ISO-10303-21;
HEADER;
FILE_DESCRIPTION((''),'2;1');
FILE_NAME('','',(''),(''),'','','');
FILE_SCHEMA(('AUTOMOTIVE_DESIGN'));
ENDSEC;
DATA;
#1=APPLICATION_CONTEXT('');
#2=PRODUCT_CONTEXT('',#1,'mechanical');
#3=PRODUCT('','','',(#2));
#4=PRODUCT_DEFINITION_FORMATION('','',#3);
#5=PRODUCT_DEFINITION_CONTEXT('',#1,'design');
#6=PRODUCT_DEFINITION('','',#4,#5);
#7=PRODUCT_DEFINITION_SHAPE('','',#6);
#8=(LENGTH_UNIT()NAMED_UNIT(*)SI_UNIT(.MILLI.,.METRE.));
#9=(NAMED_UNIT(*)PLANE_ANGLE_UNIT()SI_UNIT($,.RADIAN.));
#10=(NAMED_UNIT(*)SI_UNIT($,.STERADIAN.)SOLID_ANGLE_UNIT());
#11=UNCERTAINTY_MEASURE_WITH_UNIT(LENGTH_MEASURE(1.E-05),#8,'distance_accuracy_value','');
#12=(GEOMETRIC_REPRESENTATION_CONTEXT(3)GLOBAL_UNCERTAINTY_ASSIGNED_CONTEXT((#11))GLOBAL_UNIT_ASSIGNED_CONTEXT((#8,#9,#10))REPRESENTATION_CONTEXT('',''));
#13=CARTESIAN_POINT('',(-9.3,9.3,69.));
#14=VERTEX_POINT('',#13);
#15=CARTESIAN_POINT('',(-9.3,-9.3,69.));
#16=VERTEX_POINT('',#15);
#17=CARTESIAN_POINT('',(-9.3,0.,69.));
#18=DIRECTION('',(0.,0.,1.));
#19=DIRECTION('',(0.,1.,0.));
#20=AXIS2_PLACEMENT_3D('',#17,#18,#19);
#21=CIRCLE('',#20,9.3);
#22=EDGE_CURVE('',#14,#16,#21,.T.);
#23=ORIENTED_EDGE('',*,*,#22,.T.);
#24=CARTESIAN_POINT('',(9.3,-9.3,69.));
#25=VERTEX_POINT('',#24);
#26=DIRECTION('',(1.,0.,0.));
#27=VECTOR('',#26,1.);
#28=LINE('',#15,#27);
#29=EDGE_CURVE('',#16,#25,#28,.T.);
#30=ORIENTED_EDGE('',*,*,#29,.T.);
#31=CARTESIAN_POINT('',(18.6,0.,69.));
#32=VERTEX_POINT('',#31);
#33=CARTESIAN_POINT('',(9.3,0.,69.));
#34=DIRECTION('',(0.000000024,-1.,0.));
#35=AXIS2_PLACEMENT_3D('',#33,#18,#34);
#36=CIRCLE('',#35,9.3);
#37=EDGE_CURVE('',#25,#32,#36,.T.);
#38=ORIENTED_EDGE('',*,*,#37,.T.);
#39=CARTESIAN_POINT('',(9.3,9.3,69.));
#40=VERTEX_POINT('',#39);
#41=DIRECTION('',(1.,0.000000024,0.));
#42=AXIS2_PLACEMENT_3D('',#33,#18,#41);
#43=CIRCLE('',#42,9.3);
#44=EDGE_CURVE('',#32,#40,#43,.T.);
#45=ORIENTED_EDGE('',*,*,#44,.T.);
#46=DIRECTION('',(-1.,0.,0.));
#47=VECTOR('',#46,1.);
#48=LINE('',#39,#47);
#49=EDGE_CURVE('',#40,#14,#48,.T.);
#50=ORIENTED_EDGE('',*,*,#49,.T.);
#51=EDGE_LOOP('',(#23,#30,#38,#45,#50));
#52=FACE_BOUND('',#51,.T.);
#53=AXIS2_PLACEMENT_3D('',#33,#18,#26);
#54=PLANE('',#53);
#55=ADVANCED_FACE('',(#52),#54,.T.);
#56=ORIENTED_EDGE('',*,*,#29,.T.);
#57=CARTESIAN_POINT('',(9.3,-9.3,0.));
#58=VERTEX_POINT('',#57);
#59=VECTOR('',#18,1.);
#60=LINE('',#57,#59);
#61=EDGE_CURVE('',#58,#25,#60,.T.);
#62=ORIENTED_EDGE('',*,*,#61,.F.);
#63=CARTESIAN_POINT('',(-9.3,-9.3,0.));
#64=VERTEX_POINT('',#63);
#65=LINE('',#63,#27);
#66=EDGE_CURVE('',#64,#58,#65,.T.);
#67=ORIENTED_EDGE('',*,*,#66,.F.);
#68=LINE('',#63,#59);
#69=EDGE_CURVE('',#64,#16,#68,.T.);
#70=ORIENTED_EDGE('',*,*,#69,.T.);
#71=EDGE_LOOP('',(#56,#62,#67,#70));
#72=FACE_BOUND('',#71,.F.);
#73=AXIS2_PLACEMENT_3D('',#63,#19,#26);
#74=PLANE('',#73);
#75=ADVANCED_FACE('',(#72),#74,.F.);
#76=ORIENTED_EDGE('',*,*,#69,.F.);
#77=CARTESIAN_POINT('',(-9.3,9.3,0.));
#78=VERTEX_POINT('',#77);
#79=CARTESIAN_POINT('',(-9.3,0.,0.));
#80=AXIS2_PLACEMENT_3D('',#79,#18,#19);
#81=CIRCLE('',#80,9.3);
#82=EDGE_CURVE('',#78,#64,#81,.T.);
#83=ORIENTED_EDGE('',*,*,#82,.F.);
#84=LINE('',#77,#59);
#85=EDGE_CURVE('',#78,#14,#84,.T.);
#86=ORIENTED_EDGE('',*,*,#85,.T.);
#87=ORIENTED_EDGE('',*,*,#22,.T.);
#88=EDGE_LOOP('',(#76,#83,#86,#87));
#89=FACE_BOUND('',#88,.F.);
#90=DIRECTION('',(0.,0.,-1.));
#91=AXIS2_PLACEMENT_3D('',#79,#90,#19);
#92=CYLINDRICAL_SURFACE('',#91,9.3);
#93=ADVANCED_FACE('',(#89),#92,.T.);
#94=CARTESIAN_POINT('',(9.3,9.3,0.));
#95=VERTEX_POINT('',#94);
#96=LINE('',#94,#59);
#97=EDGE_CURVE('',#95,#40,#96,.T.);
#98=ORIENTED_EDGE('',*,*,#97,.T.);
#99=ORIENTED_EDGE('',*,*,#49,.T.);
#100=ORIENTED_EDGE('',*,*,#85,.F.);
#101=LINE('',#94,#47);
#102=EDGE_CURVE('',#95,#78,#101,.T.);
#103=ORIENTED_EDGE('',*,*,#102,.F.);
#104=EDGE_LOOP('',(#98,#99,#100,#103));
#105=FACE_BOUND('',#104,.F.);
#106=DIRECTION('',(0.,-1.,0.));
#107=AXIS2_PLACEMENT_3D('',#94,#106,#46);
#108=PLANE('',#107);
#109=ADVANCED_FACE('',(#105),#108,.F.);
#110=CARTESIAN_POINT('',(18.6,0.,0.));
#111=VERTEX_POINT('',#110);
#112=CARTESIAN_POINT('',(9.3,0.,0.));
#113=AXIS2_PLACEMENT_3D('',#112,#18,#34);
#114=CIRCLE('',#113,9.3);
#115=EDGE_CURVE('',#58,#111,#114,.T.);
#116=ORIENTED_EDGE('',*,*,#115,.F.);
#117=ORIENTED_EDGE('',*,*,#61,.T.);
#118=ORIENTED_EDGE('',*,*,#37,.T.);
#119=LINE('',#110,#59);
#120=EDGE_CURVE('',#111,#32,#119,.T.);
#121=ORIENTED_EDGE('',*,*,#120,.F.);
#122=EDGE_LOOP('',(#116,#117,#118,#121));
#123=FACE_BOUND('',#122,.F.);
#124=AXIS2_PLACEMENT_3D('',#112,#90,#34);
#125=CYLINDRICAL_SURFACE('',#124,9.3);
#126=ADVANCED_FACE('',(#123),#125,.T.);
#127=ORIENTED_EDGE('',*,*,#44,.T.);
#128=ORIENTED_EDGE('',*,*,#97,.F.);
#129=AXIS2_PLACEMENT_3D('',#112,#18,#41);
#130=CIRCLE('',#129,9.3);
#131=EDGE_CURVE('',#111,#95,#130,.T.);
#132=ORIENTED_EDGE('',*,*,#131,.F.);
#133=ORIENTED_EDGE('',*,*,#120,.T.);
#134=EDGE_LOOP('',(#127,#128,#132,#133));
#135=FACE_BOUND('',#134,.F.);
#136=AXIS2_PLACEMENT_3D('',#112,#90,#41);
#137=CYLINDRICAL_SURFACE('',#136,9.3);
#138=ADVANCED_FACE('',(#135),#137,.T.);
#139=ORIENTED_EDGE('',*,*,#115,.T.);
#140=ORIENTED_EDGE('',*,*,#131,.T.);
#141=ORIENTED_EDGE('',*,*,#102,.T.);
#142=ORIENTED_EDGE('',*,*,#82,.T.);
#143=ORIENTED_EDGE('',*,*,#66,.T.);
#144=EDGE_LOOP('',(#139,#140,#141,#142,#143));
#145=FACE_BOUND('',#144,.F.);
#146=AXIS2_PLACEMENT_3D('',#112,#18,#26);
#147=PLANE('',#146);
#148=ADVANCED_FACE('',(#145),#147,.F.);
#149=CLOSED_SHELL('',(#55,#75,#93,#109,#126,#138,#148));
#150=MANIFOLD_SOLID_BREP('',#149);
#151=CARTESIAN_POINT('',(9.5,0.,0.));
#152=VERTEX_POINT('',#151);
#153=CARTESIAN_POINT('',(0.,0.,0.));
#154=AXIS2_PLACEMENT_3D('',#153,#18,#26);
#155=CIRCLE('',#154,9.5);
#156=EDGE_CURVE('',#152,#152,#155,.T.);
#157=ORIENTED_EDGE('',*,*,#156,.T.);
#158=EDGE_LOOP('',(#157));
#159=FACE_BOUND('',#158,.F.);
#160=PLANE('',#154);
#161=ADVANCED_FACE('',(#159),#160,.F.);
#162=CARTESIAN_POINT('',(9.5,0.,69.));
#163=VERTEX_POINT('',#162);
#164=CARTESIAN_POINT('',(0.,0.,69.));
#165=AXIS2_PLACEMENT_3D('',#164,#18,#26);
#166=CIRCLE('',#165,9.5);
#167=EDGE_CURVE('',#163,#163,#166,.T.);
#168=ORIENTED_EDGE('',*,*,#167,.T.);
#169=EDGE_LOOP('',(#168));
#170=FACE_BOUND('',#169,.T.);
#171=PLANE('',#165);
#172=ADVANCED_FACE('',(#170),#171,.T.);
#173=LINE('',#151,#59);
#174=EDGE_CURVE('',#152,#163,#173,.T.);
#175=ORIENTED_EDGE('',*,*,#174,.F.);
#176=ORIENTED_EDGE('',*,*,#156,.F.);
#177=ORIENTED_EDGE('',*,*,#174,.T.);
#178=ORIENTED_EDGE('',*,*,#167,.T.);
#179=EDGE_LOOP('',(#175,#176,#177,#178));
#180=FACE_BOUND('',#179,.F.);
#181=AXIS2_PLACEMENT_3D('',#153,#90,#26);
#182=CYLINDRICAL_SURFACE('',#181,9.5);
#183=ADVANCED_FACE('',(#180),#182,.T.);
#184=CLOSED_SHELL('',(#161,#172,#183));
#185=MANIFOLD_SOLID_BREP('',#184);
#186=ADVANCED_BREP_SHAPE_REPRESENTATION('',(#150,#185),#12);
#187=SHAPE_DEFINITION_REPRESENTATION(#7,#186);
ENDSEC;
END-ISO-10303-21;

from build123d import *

# Parameters (mm, degrees)
F1_DEPTH = 69
F2_R     = 9.5
F3_DEPTH = 69


with BuildPart() as f1:
    # F0 (on Top) → F1 (new body)
    with BuildSketch(Plane.XY):
        with BuildLine():
            ThreePointArc((9.3, -9.3), (15.876093, -6.576093), (18.6, 0))
            ThreePointArc((18.6, 0), (15.876093, 6.576093), (9.3, 9.3))
            ThreePointArc((9.3, 9.3), (2.723907, 6.576093), (0, 0))
            ThreePointArc((0, 0), (2.723907, -6.576093), (9.3, -9.3))
        make_face()
        with BuildLine():
            ThreePointArc((0, 0), (2.723907, 6.576093), (9.3, 9.3))
            Line((9.3, 9.3), (-9.3, 9.3))
            ThreePointArc((-9.3, 9.3), (-2.723907, 6.576093), (0, 0))
        make_face()
        with BuildLine():
            Line((-9.3, -9.3), (9.3, -9.3))
            ThreePointArc((9.3, -9.3), (2.723907, -6.576093), (0, 0))
            ThreePointArc((0, 0), (-2.723907, -6.576093), (-9.3, -9.3))
        make_face()
        with BuildLine():
            ThreePointArc((-9.3, -9.3), (-2.723907, -6.576093), (0, 0))
            ThreePointArc((0, 0), (-2.723907, 6.576093), (-9.3, 9.3))
            ThreePointArc((-9.3, 9.3), (-18.6, 0), (-9.3, -9.3))
        make_face()
    extrude(amount=F1_DEPTH)


with BuildPart() as f3:
    # F2 (on Top) → F3 (new body)
    with BuildSketch(Plane.XY):
        Circle(F2_R)
    extrude(amount=F3_DEPTH)


solid = Compound([f1.part, f3.part])
